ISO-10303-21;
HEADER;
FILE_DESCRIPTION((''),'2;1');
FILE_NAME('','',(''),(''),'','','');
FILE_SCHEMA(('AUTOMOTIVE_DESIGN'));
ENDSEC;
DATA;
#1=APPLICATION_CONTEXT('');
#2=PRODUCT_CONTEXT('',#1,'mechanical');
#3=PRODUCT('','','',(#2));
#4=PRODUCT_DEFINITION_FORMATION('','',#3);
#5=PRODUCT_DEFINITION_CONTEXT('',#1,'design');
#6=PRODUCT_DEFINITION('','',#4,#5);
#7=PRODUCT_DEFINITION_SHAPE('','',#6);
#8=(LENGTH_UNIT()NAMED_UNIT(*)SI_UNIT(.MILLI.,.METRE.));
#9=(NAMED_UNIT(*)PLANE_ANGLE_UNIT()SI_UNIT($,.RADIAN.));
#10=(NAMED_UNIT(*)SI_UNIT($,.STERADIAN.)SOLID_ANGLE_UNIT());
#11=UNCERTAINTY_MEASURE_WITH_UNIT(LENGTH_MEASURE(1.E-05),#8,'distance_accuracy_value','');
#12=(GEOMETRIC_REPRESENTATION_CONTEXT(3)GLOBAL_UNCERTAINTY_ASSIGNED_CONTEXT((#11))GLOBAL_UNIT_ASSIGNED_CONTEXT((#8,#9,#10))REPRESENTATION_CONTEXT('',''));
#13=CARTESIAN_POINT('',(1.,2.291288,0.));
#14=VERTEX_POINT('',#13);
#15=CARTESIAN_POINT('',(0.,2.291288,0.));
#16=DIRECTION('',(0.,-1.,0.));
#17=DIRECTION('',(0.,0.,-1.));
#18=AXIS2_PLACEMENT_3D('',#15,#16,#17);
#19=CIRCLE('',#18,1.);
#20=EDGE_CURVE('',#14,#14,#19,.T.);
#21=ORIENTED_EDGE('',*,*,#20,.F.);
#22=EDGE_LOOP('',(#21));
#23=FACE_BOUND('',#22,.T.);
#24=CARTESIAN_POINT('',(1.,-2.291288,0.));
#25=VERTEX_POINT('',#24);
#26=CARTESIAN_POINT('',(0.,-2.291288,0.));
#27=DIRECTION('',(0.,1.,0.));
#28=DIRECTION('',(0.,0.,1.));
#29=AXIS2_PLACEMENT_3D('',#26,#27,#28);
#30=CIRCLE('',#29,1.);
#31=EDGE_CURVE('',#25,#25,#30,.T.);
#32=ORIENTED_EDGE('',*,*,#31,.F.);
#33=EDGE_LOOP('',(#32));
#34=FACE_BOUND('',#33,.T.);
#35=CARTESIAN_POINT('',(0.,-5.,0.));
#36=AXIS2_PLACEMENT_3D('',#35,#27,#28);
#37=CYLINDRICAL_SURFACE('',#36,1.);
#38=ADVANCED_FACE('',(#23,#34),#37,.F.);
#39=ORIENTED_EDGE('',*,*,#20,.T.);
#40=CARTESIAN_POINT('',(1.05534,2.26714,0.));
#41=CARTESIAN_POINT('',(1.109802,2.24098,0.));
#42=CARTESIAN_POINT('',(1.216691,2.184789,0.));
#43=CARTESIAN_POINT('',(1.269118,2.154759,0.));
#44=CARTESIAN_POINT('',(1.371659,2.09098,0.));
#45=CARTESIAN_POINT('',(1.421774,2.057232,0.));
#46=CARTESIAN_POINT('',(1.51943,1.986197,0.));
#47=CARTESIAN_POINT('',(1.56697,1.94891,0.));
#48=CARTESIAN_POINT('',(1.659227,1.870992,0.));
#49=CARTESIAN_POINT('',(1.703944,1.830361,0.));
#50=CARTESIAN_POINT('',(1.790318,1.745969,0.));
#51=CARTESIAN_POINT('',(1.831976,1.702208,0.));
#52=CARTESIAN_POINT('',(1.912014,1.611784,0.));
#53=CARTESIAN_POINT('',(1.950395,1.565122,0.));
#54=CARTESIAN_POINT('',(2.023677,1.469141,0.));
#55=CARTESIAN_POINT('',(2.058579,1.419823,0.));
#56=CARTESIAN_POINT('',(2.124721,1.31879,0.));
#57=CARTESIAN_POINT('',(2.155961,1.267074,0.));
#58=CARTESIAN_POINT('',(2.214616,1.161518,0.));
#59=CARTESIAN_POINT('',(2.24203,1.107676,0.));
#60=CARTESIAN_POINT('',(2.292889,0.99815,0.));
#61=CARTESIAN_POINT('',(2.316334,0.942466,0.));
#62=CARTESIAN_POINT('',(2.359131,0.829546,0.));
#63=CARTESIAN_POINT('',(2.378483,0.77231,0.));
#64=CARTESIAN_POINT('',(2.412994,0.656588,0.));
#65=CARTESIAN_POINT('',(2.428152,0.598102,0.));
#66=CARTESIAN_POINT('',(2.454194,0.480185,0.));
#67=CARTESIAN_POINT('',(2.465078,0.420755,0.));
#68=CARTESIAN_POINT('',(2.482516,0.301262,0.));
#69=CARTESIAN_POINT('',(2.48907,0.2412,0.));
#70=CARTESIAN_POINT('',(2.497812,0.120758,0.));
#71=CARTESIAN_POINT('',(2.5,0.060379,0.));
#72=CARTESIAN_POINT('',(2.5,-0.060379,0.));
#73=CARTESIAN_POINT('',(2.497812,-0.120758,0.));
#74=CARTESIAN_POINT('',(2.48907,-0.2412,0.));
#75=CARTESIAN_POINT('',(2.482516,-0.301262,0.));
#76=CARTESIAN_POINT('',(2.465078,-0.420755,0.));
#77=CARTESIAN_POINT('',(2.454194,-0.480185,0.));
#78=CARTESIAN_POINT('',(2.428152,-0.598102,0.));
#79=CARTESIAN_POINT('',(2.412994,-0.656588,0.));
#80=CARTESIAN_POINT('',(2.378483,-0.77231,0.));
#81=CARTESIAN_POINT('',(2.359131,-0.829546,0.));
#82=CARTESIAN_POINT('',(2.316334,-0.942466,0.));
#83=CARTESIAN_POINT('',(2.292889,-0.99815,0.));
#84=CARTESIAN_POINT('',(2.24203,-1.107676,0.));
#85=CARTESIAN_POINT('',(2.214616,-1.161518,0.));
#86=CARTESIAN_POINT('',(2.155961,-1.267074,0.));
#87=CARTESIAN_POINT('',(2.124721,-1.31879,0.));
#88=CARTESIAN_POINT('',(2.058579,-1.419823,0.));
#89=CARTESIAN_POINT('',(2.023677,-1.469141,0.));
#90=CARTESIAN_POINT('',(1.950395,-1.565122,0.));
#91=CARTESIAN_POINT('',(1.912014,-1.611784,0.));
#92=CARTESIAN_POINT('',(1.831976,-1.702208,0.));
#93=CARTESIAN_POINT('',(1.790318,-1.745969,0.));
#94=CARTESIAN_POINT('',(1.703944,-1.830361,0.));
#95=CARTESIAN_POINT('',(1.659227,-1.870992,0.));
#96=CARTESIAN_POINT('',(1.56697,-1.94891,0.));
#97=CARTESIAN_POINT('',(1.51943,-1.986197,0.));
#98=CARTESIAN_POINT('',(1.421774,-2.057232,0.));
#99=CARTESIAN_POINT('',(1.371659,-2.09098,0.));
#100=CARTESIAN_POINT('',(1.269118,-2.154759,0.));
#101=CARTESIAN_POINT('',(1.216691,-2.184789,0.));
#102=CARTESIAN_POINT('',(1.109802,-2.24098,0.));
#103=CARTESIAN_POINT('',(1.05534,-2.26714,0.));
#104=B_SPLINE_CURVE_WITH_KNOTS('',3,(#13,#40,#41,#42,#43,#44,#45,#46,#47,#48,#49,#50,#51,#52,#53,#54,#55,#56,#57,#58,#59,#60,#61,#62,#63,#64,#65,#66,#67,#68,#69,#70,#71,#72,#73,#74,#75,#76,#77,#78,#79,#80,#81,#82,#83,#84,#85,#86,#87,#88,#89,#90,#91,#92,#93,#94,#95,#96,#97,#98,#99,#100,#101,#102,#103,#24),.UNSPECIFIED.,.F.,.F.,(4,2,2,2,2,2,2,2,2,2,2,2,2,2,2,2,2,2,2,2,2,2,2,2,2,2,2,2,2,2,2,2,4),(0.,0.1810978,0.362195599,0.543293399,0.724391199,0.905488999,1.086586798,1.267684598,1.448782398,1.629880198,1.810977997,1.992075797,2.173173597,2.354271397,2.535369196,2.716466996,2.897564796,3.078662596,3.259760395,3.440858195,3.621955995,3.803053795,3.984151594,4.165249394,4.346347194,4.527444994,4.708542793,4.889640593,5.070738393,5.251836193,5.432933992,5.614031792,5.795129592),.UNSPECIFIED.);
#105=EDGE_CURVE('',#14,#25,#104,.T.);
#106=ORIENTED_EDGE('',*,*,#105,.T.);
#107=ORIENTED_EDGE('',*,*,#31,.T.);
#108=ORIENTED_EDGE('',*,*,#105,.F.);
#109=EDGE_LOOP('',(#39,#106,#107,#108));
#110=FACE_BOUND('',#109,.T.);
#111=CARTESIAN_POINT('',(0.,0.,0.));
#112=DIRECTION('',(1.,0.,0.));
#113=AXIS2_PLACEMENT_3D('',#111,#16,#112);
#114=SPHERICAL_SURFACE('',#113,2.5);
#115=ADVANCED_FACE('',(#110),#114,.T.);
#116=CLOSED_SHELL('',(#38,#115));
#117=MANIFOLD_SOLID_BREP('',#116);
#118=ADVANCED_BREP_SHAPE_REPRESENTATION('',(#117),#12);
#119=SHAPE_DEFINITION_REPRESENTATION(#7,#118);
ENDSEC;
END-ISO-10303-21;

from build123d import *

# Parameters (mm, degrees)
ESQUISSE2_R             = 1
ENL_V_MAT_EXTRU_1_DEPTH = 5


with BuildPart() as part:
    # Esquisse1 → Révolution1 (revolve)
    with BuildSketch(Plane.XY):
        with BuildLine():
            Line((0, -2.5), (0, 2.5))
            ThreePointArc((0, 2.5), (-2.5, 0), (0, -2.5))
        make_face()
    revolve(axis=Axis((0, -2.5, 0), (0, 1, 0)))

    # Esquisse2 → Enlèv. mat.-Extru.1 (cut, symmetric)
    with BuildSketch(Plane(origin=(0, 0, 0), x_dir=(1, 0, 0), z_dir=(0, 1, 0))):
        Circle(ESQUISSE2_R)
    extrude(amount=ENL_V_MAT_EXTRU_1_DEPTH, both=True, mode=Mode.SUBTRACT)


solid = part.part
